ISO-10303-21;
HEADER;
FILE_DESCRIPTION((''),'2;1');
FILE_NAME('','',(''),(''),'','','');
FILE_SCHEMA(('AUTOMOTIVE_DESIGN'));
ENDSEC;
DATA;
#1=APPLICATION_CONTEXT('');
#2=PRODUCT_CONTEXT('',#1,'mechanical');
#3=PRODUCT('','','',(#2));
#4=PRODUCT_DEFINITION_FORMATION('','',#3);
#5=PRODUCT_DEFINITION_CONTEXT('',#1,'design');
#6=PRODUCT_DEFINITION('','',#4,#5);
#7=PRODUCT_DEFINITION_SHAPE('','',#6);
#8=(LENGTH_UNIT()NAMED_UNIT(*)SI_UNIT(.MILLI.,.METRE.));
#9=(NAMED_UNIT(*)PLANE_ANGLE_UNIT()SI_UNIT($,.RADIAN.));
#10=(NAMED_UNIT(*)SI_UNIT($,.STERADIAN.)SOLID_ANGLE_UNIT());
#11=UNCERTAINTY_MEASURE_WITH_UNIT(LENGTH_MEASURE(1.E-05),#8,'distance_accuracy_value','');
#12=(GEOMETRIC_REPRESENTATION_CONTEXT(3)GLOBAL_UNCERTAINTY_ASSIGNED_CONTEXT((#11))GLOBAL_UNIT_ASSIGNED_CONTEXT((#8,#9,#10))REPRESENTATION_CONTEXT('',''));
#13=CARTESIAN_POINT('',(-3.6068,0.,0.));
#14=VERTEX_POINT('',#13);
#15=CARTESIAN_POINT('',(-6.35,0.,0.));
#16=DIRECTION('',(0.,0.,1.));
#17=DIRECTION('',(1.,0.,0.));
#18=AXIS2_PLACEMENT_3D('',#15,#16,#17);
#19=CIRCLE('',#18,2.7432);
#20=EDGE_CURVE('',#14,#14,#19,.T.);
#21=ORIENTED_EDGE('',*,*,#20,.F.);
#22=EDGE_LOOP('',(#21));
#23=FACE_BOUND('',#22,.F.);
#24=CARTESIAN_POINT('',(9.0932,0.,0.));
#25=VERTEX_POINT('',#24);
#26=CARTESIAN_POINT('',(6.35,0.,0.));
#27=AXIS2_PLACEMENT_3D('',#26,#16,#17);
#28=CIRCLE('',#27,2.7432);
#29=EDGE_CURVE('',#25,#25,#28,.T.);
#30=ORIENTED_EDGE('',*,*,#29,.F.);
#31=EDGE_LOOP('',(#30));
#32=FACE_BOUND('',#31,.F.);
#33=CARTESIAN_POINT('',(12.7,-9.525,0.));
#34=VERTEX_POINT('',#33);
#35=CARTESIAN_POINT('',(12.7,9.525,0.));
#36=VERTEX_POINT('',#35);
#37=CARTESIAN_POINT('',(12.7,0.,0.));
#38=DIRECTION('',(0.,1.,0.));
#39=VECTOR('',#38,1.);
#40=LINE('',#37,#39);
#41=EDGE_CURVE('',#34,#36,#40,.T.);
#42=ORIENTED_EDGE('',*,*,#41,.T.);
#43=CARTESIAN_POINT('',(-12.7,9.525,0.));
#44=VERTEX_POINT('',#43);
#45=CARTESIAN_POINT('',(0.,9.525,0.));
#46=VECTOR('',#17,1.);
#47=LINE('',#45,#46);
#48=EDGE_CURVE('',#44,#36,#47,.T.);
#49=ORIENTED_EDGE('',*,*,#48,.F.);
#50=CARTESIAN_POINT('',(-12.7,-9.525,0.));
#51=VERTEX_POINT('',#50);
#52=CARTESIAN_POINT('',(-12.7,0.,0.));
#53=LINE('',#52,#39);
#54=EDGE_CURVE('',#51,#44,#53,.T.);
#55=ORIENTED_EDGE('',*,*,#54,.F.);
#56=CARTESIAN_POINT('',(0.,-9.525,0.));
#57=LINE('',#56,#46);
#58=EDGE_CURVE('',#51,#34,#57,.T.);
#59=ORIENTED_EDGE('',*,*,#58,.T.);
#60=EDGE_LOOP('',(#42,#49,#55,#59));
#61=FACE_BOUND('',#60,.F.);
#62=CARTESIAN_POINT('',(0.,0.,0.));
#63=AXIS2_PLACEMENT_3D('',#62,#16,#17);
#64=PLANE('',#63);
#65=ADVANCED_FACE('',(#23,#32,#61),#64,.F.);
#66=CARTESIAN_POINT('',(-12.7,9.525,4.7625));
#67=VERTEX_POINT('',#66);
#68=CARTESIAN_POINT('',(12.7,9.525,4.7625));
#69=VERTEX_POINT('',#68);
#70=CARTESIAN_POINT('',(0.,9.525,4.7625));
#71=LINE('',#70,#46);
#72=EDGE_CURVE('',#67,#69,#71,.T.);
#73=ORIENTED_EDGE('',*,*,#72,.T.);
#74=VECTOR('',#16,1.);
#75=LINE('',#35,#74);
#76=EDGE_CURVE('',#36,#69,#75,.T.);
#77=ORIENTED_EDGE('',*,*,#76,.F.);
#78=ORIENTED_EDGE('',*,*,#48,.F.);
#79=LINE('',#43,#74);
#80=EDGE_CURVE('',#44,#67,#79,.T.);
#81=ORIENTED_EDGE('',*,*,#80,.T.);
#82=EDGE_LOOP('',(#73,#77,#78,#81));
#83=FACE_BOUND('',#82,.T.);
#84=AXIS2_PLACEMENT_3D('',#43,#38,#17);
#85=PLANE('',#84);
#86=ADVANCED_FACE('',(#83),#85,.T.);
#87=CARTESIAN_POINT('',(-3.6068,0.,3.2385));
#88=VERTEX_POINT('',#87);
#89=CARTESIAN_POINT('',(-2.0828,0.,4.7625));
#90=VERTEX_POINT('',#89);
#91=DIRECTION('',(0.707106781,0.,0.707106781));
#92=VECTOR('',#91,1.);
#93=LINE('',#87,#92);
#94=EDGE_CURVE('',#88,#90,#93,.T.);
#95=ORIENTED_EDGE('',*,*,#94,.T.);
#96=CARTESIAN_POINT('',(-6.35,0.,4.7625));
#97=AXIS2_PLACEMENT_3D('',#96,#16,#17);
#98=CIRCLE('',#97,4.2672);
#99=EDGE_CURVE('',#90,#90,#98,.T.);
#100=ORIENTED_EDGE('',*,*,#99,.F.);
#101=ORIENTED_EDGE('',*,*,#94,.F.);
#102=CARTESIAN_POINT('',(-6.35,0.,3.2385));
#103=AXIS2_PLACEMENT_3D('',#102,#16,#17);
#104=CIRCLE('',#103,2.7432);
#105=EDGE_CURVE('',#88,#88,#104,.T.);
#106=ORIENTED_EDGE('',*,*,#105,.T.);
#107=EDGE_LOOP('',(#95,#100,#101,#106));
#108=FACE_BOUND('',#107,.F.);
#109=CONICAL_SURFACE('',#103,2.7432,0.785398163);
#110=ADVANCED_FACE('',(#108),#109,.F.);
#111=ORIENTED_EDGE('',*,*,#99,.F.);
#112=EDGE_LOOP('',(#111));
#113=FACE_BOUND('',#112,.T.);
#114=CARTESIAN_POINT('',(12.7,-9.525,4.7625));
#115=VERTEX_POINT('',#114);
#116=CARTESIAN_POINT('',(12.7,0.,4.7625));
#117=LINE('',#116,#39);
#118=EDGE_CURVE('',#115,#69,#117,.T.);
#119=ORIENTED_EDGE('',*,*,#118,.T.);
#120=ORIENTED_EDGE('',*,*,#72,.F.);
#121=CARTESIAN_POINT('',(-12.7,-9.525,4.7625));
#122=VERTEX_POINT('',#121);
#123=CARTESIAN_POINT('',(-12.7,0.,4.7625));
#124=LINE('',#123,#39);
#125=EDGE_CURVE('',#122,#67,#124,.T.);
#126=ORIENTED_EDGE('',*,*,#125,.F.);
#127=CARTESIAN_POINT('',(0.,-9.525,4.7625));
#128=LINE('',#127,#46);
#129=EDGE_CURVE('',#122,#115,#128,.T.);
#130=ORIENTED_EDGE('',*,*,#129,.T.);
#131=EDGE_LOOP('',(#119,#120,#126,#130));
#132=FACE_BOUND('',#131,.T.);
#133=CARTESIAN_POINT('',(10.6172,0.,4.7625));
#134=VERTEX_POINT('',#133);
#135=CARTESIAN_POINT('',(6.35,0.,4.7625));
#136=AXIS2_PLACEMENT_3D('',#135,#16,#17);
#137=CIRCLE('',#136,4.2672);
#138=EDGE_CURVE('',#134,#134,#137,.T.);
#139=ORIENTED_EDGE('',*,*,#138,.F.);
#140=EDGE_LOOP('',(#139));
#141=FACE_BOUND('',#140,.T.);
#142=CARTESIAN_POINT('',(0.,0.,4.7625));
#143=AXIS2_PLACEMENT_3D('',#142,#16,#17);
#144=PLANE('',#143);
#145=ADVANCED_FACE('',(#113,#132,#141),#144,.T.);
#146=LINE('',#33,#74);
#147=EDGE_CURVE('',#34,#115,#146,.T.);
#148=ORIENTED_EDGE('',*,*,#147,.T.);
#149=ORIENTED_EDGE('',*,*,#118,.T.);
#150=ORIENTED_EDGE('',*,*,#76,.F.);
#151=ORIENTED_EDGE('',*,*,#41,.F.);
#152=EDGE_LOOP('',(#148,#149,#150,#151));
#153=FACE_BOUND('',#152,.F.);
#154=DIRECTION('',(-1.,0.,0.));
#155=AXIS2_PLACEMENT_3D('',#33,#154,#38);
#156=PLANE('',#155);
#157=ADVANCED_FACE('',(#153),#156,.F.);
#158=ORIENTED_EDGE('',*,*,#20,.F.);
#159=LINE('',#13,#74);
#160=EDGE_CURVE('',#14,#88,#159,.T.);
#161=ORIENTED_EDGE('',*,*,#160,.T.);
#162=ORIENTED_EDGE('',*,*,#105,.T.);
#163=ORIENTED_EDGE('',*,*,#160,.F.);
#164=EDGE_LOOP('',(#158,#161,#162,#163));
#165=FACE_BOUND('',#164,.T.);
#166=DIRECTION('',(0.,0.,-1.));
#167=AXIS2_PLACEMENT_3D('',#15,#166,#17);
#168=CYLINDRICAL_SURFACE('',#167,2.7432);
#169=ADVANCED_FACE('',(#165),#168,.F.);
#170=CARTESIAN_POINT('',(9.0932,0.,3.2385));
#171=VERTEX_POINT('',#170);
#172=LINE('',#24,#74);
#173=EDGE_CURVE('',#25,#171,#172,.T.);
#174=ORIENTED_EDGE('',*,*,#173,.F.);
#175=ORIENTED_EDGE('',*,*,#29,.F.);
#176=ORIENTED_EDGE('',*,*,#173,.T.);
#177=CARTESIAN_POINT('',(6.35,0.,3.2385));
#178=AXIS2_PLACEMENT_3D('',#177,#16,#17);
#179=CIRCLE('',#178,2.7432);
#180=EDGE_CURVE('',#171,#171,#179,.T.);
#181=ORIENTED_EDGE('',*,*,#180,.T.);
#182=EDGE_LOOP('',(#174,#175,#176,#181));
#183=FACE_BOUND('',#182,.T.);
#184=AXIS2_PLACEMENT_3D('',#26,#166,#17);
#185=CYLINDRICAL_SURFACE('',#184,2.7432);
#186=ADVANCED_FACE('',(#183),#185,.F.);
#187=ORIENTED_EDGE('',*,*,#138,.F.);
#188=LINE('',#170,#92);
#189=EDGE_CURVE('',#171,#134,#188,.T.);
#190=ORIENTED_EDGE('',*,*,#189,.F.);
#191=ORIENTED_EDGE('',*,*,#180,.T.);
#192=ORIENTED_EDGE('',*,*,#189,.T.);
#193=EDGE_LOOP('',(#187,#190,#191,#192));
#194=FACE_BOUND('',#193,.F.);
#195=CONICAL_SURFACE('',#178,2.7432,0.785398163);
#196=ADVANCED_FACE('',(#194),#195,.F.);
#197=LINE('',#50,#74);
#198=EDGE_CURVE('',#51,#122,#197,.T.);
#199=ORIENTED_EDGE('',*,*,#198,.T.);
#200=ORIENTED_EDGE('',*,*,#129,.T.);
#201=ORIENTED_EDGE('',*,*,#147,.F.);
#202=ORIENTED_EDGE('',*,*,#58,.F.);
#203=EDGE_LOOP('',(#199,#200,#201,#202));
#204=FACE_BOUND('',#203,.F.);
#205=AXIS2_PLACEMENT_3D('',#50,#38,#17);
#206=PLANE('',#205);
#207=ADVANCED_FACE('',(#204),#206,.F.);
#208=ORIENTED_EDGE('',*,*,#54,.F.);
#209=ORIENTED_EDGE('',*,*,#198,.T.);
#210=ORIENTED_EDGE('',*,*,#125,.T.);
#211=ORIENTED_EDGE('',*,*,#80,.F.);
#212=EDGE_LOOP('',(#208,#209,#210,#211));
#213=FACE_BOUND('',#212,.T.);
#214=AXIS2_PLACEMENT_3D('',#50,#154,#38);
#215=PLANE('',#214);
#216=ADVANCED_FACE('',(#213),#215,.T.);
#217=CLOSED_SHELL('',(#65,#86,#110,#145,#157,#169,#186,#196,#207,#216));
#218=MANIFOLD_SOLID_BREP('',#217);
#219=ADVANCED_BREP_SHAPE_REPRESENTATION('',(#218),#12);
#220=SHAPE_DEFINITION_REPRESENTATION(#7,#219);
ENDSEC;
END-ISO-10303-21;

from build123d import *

# Parameters (mm, degrees)
F0_W     = 25.4
F0_H     = 19.05
F0_R     = 2.7432
F1_DEPTH = 4.7625
F2_SIZE  = 1.524


with BuildPart() as f1:
    # F0 (on Top) → F1 (new body)
    with BuildSketch(Plane.XY):
        Rectangle(F0_W, F0_H)
        with Locations((-6.35, 0)):
            Circle(F0_R, mode=Mode.SUBTRACT)
        with Locations((6.35, 0)):
            Circle(F0_R, mode=Mode.SUBTRACT)
    extrude(amount=F1_DEPTH)

    # F2
    f2_edges = [f1.edges().sort_by_distance(p)[0] for p in [
        (-9.0932, 0, 4.7625),
        (3.6068, 0, 4.7625),
    ]]
    chamfer(f2_edges, length=F2_SIZE)


solid = f1.part
